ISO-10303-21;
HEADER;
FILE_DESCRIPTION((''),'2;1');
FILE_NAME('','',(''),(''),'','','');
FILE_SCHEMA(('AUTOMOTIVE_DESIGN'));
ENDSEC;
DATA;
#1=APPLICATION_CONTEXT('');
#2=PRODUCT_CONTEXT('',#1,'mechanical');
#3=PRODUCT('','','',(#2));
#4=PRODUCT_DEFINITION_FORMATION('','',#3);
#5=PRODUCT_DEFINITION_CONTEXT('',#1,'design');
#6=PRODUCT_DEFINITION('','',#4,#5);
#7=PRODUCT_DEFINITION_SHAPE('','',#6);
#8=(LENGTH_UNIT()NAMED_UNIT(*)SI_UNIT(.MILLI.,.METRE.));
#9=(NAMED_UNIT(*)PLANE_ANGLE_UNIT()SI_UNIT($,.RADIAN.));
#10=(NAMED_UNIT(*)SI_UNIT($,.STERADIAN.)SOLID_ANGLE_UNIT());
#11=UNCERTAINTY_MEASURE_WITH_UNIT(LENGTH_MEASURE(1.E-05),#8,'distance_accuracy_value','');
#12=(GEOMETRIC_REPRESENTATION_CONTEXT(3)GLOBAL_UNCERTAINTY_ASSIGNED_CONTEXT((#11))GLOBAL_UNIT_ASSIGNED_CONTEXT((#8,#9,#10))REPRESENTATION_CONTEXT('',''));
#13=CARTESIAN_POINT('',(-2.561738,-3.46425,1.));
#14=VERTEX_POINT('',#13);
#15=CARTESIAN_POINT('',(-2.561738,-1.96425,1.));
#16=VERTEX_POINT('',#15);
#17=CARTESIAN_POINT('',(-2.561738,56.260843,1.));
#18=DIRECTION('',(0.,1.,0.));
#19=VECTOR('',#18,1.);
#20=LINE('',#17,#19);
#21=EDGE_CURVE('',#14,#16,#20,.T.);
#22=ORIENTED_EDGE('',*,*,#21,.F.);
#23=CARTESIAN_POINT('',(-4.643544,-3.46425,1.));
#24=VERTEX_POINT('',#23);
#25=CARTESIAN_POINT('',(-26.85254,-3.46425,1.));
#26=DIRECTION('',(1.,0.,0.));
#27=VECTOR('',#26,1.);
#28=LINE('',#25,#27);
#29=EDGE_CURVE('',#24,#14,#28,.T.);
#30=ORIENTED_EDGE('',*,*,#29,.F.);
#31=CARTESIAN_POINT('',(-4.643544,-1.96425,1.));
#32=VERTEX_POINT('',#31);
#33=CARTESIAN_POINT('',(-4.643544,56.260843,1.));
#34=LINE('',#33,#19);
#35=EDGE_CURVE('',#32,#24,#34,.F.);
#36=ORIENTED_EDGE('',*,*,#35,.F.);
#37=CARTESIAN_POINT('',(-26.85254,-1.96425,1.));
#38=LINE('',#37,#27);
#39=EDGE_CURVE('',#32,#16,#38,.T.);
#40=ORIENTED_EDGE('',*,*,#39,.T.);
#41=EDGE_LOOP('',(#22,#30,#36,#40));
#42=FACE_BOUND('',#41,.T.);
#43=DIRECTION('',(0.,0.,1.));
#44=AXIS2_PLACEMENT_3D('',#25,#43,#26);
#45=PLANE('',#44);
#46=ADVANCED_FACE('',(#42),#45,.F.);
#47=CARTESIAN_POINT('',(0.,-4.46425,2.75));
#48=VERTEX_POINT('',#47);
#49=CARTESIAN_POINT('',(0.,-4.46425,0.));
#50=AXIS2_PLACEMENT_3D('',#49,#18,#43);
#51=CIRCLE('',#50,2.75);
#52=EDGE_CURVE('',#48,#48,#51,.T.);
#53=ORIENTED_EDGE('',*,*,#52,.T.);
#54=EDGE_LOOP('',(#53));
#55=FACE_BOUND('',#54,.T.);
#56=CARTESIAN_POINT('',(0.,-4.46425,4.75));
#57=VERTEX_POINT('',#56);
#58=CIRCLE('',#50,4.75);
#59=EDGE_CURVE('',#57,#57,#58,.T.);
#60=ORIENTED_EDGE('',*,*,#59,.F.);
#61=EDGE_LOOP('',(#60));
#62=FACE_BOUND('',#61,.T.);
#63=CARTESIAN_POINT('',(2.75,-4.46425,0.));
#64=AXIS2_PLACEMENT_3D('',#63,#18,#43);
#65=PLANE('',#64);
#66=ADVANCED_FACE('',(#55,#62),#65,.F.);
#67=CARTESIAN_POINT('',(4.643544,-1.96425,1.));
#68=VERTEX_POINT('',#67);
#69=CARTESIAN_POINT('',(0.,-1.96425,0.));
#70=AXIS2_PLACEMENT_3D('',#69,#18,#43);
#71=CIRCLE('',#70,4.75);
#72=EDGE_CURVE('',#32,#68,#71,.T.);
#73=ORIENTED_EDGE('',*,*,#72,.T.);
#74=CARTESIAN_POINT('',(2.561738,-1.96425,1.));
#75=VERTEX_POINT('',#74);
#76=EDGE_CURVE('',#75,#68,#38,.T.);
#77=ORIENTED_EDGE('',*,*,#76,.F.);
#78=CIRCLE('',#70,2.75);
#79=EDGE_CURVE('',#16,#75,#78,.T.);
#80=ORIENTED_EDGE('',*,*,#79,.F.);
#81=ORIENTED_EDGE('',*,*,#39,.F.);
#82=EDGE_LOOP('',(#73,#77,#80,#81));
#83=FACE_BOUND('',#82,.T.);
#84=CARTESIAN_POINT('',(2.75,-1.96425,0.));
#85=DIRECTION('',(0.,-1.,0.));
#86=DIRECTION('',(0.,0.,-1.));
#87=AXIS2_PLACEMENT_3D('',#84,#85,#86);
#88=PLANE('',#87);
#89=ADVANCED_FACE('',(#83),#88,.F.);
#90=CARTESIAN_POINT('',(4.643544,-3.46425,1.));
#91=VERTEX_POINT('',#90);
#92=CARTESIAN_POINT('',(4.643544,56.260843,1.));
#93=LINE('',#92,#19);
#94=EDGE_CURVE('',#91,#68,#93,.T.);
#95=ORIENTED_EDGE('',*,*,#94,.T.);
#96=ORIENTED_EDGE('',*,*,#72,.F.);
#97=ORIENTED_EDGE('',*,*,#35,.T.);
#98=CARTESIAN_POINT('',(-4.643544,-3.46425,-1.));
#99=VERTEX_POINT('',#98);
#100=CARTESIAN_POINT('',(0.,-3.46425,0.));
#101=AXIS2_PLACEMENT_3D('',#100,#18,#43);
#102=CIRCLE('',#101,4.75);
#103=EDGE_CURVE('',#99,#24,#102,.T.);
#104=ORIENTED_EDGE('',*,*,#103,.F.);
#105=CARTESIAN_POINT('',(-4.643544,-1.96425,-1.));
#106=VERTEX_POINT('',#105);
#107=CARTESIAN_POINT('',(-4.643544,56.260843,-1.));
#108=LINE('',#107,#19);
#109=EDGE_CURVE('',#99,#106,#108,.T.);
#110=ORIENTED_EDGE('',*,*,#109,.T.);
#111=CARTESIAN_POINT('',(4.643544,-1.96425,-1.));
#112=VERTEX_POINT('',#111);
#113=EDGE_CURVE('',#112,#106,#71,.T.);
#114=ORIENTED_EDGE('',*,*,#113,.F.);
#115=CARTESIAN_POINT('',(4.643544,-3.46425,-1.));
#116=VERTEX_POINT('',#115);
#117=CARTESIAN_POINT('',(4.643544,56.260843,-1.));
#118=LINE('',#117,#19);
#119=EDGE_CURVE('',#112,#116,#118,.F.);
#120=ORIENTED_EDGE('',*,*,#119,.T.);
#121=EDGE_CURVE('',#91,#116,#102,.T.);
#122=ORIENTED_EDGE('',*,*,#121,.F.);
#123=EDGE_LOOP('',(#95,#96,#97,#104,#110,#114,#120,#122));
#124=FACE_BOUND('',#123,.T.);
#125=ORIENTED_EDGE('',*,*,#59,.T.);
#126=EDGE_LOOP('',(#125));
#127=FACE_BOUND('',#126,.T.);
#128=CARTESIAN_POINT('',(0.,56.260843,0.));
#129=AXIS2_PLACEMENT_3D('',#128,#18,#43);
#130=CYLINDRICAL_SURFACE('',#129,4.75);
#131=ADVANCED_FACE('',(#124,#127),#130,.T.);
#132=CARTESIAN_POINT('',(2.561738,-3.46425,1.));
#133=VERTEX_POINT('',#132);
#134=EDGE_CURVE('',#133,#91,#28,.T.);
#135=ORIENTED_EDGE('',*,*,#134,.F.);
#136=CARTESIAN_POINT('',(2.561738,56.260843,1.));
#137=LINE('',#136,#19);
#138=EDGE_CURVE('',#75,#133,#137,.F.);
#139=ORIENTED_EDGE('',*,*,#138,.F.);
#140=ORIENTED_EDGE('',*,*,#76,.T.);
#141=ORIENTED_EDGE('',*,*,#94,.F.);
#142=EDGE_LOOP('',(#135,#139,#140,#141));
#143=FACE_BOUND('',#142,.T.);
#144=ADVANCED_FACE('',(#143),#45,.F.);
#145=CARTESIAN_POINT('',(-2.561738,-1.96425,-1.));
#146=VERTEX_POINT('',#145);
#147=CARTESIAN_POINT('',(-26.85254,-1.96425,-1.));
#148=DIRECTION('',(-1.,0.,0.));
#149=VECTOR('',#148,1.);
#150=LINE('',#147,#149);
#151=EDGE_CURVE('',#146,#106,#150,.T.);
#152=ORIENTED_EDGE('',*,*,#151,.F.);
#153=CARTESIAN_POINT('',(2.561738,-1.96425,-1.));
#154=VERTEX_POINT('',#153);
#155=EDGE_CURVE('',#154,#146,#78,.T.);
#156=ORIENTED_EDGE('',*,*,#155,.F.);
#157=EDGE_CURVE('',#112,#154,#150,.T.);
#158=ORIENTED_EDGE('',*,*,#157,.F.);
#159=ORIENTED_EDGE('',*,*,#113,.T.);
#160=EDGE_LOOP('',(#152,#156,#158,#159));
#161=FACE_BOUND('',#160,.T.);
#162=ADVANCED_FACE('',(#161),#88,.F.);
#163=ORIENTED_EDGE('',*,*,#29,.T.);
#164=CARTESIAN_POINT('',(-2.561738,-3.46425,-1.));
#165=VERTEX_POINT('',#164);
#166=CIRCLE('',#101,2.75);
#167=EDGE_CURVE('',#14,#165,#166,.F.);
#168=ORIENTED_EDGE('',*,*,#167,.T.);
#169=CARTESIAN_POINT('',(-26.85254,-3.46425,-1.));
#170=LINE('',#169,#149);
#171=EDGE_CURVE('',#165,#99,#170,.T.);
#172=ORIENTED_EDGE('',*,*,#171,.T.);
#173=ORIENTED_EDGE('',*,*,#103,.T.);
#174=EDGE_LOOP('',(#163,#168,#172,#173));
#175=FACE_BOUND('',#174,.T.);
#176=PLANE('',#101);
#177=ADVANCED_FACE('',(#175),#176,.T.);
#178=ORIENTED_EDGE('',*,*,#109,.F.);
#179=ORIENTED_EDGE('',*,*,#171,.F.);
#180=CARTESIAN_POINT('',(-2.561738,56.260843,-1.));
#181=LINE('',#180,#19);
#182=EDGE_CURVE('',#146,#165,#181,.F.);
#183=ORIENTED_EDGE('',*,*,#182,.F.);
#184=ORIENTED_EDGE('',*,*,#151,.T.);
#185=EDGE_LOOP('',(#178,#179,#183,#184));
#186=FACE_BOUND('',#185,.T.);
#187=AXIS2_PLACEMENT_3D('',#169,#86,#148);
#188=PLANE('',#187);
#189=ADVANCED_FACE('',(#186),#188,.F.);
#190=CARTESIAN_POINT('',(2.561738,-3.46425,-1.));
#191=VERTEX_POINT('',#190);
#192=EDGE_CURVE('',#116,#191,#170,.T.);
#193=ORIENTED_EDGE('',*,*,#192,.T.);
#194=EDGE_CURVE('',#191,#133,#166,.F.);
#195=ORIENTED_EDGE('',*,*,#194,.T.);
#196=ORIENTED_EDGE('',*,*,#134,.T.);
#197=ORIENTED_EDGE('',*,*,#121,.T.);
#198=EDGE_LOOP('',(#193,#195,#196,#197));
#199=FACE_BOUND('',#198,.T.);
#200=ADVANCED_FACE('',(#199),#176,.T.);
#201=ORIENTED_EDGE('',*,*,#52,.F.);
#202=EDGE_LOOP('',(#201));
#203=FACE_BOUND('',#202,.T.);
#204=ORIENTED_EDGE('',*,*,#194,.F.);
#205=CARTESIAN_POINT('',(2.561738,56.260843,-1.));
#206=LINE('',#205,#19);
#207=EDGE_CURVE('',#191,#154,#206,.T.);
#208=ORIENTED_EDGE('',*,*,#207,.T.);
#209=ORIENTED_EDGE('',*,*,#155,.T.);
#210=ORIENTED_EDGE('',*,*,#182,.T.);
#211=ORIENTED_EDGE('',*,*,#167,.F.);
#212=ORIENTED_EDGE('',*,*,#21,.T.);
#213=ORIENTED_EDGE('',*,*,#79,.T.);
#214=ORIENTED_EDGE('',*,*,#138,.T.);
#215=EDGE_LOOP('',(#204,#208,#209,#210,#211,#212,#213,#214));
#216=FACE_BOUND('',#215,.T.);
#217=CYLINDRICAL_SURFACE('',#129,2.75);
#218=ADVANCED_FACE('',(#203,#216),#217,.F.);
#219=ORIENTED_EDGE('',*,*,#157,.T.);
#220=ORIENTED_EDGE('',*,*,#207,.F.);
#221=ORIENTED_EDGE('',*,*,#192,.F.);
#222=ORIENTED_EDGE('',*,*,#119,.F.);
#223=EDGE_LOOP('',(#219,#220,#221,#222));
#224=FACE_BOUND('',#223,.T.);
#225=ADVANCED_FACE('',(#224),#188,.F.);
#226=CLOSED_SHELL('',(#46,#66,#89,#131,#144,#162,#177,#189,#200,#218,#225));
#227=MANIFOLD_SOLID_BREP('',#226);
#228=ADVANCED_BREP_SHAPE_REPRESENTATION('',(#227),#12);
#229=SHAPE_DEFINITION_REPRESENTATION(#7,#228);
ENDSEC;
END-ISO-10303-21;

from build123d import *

# Parameters (mm, degrees)
SKETCH_1_W          = 2
SKETCH_1_H          = 2.5
SKETCH_2_W          = 53.705080546
SKETCH_2_H          = 2
CUT_EXTRUDE_1_DEPTH = 1.5


with BuildPart() as part:
    # 草图1 → 旋转1 (revolve)
    with BuildSketch(Plane.XY, mode=Mode.PRIVATE) as revolve_1_sk:
        with Locations((3.75, -3.214249787)):
            Rectangle(SKETCH_1_W, SKETCH_1_H)
    revolve(revolve_1_sk.sketch.rotate(Axis((0, 56.260842627, 0), (0, -1, 0)), 90), axis=Axis((0, 56.260842627, 0), (0, -1, 0)))  # turned: the seam where the file's is

    # 草图2 → 切除-拉伸1 (cut)
    with BuildSketch(Plane(origin=(0, -1.964249787, 0), x_dir=(1, 0, 0), z_dir=(0, 1, 0))):
        Rectangle(SKETCH_2_W, SKETCH_2_H)
    extrude(amount=-CUT_EXTRUDE_1_DEPTH, mode=Mode.SUBTRACT)


solid = part.part
